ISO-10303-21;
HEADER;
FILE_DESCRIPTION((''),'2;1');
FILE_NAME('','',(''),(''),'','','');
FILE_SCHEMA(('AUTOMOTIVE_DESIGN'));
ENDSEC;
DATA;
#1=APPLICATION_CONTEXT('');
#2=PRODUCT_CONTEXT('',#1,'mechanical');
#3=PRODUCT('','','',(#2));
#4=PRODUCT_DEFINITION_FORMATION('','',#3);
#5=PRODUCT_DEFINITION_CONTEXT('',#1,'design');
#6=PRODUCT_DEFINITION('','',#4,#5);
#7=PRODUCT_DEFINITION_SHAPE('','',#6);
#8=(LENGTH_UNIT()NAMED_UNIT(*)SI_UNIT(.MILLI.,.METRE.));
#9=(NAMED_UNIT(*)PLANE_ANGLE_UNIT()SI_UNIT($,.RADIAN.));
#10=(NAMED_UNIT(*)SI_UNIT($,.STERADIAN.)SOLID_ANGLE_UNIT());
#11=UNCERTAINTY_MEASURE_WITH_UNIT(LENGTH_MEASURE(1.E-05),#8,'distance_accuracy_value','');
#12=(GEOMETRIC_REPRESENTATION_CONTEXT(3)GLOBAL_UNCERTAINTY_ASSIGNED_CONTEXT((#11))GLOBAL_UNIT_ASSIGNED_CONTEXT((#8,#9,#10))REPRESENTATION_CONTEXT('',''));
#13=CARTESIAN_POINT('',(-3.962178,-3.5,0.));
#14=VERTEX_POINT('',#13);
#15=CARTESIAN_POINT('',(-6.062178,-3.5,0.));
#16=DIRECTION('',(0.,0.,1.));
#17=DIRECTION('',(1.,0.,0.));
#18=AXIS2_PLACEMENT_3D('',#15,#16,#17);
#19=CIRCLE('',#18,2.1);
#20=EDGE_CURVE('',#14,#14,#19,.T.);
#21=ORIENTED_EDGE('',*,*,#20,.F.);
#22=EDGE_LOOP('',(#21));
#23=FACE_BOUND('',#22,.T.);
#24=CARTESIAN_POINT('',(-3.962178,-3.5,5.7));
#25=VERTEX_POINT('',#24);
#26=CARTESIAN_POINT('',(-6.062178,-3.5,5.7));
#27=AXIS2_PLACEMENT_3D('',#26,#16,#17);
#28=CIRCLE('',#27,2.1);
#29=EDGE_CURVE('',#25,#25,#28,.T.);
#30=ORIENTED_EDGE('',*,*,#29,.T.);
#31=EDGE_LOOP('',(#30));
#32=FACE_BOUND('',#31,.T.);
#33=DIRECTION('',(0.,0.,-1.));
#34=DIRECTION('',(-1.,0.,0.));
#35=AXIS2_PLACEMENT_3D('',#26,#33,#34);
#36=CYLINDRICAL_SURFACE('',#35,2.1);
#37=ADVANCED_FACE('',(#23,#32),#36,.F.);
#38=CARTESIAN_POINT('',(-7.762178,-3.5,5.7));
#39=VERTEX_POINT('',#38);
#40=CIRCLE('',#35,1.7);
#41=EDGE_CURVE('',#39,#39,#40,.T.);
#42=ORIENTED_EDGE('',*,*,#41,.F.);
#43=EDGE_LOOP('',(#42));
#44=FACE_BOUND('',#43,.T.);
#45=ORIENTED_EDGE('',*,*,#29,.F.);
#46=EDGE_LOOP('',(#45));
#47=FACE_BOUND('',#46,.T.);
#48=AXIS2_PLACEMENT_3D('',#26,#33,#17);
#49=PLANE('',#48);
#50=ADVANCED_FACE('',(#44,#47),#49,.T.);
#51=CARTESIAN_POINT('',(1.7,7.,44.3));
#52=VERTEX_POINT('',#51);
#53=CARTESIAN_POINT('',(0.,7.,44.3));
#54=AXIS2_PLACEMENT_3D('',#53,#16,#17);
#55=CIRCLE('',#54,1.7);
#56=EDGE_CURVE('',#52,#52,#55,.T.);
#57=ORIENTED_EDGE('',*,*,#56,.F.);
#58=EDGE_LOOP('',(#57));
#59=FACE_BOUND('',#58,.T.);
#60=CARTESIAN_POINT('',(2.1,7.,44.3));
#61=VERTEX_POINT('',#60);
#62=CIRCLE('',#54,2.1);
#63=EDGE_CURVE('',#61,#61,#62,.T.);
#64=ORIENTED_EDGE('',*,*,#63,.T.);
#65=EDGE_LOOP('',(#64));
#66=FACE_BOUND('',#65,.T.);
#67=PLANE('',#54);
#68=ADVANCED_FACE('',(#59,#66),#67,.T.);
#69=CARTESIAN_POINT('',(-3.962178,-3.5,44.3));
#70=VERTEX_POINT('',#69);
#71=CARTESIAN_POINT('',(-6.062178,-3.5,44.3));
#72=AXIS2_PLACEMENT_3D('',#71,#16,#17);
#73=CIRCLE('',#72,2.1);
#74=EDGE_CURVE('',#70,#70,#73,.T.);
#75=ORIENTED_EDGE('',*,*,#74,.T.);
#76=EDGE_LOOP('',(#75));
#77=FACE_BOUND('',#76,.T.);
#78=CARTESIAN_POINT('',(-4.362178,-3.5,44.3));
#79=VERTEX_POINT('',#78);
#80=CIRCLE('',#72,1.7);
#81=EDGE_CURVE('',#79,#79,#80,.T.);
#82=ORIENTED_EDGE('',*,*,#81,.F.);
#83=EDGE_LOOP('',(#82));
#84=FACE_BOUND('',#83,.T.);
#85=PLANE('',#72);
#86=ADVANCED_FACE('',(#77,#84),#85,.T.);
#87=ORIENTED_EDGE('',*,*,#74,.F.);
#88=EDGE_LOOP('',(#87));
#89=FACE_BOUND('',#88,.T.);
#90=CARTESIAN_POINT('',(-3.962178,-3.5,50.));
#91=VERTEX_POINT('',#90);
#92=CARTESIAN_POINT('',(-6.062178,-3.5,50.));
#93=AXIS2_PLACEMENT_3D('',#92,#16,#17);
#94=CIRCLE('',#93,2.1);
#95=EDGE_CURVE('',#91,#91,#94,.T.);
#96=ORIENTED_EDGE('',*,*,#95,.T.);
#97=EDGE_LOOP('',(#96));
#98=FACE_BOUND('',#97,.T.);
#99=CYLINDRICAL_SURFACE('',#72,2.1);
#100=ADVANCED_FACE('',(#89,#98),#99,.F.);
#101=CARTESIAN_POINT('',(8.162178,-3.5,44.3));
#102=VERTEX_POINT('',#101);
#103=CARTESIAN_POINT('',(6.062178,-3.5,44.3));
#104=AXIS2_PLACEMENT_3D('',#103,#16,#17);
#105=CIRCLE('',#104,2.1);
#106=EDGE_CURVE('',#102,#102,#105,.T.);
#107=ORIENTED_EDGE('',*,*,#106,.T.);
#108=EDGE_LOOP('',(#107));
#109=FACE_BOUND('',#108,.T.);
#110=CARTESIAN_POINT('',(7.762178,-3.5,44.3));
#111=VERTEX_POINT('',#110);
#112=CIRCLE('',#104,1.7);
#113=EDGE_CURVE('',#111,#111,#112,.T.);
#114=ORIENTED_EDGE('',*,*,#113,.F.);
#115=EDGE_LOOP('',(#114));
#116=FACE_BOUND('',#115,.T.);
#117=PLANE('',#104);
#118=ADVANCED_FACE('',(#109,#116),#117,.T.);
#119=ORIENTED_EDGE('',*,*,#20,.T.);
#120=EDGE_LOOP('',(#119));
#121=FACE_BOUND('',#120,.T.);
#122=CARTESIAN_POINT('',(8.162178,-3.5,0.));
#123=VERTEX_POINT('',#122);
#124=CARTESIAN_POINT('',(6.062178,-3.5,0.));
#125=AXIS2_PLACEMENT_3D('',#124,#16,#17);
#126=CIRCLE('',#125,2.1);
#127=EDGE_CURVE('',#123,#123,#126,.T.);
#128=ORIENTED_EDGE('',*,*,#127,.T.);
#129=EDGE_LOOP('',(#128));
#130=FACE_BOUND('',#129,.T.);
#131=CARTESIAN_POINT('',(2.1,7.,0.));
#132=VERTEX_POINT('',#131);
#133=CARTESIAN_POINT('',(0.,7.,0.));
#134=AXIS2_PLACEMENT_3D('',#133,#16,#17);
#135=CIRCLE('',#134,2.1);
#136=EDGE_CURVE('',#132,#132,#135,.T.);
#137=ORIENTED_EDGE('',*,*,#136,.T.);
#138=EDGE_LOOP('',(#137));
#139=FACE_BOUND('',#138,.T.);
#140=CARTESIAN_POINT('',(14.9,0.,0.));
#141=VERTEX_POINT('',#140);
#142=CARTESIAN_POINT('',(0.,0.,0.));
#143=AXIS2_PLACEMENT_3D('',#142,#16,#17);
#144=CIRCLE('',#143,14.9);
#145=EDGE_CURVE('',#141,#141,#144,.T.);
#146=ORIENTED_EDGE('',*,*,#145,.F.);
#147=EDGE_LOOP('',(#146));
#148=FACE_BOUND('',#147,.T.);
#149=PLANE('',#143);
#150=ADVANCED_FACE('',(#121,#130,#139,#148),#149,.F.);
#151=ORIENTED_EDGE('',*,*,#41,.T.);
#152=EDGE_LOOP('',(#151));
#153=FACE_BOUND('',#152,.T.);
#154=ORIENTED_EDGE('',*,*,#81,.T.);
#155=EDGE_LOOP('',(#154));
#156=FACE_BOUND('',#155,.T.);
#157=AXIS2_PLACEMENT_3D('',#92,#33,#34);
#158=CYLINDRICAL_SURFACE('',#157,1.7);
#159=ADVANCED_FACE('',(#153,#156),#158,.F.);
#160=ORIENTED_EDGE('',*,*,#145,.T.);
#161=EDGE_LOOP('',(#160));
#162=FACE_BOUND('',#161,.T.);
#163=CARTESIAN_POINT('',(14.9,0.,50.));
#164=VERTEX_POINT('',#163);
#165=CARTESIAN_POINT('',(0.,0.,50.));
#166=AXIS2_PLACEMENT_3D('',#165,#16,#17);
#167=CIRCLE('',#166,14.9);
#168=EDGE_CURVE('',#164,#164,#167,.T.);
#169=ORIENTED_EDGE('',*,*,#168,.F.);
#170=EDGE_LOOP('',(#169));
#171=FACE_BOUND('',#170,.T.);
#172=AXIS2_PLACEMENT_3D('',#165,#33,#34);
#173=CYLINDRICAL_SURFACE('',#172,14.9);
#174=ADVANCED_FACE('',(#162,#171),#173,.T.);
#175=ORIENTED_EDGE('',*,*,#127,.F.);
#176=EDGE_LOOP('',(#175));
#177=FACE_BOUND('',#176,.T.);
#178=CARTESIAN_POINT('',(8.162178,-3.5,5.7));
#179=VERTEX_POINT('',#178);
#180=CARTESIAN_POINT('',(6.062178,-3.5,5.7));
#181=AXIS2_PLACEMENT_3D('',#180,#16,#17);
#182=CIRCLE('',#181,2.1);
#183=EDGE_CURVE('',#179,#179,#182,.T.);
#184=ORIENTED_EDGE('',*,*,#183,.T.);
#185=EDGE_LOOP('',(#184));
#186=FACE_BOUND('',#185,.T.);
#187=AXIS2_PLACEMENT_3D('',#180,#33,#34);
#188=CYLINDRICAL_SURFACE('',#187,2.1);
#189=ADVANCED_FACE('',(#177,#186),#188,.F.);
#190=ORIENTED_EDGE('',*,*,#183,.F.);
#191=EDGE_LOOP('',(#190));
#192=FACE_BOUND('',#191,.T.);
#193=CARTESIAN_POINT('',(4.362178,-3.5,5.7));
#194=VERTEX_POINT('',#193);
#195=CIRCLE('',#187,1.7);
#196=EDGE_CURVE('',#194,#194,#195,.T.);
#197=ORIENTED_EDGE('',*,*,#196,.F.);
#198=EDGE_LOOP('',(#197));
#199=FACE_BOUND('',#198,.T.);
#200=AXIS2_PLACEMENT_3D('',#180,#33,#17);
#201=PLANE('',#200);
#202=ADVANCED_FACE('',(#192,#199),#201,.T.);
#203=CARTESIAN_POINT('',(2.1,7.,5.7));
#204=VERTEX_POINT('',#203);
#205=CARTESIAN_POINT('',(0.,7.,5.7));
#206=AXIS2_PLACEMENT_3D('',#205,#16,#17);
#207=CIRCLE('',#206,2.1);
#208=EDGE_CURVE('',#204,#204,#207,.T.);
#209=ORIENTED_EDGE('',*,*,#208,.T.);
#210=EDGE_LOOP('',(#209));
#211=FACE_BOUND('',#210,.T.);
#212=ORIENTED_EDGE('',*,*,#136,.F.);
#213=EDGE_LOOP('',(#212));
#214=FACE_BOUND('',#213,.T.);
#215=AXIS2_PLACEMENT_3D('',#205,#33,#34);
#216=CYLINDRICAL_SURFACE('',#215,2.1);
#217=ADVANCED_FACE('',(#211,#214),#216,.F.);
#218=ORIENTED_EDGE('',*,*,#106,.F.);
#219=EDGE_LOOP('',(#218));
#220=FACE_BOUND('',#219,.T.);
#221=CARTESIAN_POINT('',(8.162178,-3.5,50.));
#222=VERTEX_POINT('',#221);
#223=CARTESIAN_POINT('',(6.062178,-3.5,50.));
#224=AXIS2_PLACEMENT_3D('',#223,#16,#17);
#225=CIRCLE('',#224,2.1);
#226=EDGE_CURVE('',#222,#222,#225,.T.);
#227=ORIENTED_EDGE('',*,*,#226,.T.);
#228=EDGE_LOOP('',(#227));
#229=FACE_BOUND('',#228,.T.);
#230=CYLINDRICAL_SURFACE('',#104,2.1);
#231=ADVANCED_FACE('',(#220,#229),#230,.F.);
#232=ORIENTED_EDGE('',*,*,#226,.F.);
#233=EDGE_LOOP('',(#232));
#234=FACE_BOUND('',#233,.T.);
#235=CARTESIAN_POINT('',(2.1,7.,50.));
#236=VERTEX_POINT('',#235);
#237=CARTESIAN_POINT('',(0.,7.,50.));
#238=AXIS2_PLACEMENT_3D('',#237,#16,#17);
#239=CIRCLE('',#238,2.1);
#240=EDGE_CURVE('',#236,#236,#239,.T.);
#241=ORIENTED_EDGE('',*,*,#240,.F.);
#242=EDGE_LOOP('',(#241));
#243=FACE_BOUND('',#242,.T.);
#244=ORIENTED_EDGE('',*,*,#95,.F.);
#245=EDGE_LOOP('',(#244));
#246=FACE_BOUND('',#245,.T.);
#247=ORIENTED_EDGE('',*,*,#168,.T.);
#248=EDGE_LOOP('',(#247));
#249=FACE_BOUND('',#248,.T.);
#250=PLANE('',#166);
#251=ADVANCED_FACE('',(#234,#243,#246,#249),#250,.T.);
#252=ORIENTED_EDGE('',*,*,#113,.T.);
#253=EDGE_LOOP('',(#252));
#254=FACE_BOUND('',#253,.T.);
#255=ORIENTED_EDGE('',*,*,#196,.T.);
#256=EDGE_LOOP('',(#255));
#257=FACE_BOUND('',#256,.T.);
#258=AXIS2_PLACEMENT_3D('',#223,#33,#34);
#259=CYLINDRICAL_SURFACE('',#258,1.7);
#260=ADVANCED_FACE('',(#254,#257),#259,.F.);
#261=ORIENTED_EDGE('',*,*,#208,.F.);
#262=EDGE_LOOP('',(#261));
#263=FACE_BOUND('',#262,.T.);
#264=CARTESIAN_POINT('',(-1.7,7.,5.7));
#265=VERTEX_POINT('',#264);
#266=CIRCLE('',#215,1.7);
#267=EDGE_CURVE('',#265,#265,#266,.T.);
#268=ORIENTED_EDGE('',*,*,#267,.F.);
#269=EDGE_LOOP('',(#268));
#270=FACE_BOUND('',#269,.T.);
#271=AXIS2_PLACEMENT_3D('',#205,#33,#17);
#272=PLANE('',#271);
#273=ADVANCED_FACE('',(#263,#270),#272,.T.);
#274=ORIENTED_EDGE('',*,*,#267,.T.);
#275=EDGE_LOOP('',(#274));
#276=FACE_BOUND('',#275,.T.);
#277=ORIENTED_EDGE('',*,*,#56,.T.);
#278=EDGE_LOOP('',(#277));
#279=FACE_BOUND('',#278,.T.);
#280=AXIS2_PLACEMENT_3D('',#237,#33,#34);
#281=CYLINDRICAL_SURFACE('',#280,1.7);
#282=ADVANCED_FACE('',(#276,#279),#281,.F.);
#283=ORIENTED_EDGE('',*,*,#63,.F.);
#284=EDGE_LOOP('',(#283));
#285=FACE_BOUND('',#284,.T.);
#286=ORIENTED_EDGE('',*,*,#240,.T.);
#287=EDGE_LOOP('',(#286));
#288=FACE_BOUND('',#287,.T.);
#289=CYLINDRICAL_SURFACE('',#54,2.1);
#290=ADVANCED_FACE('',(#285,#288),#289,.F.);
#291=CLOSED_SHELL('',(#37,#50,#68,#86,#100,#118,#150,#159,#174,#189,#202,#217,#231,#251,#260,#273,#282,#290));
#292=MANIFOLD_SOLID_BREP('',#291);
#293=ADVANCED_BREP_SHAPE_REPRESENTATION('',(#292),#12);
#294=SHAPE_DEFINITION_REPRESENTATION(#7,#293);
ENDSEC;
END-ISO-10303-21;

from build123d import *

# Parameters (mm, degrees)
SKETCH2_R           = 14.9
SKETCH2_R_2         = 1.7
BOSS_EXTRUDE1_DEPTH = 50
SKETCH3_R           = 2.1
CUT_EXTRUDE1_DEPTH  = 5.7


with BuildPart() as part:
    # Sketch2 → Boss-Extrude1 (new body)
    with BuildSketch(Plane.XY):
        Circle(SKETCH2_R)
        with Locations((0, 7)):
            Circle(SKETCH2_R_2, mode=Mode.SUBTRACT)
        with Locations((6.062177826, -3.5)):
            Circle(SKETCH2_R_2, mode=Mode.SUBTRACT)
        with Locations((-6.062177826, -3.5)):
            Circle(SKETCH2_R_2, mode=Mode.SUBTRACT)
    extrude(amount=BOSS_EXTRUDE1_DEPTH)

    # Sketch3 → Cut-Extrude1 (cut)
    with BuildSketch(Plane.XY.offset(50)):
        with Locations((0, 7)):
            Circle(SKETCH3_R)
        with Locations((6.062177826, -3.5)):
            Circle(SKETCH3_R)
        with Locations((-6.062177826, -3.5)):
            Circle(SKETCH3_R)
    cut_extrude1 = extrude(amount=-CUT_EXTRUDE1_DEPTH, mode=Mode.SUBTRACT)

    # Mirror1: Cut-Extrude1 across plane
    add(cut_extrude1.mirror(Plane.XY.offset(25)), mode=Mode.SUBTRACT)


solid = part.part
